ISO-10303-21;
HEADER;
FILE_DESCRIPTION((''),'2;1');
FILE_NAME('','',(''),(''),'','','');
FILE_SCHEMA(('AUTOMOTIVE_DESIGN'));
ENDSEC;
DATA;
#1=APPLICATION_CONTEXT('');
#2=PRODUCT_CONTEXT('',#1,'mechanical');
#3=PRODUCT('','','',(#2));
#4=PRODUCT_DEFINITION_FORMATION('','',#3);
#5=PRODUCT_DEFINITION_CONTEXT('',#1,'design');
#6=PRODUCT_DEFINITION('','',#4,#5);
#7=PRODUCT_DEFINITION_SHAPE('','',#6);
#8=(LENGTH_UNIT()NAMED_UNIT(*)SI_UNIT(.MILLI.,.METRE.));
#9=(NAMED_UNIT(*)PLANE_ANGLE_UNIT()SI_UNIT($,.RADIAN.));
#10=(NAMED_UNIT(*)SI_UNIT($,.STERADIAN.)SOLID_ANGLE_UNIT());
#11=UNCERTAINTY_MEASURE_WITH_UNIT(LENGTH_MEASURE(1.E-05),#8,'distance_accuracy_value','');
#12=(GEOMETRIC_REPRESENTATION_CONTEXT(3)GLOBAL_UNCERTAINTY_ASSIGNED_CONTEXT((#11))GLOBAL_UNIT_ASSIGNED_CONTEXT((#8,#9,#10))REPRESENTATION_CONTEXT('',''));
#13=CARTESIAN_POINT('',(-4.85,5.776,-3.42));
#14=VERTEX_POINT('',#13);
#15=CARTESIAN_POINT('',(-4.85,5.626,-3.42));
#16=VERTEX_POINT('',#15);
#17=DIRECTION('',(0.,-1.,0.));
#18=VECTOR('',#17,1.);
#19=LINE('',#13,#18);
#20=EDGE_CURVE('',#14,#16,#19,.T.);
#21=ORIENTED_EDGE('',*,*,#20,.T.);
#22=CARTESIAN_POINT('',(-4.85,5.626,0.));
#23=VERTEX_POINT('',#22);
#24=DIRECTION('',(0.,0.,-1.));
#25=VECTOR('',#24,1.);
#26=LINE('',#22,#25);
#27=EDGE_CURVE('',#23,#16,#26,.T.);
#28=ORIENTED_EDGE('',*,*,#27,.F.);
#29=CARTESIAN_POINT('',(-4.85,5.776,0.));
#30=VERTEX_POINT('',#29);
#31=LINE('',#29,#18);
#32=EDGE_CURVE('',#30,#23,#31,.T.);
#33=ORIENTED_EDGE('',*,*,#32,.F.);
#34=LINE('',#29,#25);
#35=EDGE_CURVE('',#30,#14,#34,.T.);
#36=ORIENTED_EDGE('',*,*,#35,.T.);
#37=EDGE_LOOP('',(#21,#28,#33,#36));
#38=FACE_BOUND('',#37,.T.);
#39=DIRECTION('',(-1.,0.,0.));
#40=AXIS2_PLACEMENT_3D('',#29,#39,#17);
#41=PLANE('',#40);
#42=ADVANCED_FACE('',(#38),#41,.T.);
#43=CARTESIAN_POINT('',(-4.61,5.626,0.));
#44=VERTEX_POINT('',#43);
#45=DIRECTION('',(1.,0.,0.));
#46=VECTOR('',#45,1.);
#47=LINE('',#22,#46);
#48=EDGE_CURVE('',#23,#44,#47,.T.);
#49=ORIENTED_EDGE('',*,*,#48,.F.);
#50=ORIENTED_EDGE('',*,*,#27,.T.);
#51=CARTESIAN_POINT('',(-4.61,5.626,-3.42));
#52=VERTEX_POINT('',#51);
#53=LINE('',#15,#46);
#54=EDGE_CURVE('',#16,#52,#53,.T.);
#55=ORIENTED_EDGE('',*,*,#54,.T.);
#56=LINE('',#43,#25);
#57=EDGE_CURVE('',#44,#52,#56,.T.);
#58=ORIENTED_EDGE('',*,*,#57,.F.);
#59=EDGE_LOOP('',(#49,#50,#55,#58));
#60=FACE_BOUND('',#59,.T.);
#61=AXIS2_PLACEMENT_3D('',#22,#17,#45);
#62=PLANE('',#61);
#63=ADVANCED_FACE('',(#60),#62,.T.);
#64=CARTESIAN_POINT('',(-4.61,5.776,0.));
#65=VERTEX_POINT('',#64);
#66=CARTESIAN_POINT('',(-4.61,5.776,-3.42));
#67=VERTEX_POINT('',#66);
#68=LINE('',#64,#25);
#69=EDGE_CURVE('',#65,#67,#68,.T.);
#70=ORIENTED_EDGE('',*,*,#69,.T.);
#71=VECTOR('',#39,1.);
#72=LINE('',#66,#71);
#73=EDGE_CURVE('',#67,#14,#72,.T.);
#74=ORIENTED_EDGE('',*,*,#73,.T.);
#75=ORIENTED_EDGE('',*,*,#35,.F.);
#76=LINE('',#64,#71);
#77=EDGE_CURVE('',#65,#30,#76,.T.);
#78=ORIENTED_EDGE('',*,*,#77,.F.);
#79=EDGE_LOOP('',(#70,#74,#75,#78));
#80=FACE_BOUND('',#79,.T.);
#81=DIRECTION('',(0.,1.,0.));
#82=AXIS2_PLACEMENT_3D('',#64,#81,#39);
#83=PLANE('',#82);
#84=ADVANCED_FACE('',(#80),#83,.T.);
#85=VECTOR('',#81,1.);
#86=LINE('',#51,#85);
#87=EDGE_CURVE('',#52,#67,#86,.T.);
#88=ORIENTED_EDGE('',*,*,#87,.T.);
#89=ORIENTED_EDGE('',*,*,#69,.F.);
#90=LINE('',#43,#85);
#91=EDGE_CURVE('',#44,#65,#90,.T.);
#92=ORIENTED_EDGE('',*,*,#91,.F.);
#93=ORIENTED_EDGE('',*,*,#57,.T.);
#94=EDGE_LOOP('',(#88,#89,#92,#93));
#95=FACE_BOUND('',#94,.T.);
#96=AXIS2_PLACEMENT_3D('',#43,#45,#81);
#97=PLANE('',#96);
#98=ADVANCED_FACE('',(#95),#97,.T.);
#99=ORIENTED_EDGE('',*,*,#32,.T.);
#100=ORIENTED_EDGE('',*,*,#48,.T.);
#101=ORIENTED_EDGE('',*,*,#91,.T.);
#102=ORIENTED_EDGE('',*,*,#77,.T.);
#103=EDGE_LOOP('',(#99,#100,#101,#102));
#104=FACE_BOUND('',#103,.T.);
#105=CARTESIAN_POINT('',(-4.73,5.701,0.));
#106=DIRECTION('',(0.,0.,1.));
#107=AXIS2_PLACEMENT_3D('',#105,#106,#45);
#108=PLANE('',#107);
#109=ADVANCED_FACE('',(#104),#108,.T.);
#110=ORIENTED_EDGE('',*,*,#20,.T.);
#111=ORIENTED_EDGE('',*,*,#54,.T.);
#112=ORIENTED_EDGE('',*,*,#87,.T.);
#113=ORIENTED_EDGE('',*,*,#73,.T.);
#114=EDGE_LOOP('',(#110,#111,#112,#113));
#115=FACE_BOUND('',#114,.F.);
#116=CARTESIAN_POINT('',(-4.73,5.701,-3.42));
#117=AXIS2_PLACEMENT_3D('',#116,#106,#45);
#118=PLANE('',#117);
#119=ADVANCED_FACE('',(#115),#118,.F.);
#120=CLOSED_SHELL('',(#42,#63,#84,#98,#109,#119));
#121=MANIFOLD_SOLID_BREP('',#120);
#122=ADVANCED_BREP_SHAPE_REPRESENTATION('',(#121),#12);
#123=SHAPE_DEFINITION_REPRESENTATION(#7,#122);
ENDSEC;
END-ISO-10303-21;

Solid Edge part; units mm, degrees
sketch "Sketch1" plane through (0, 0, 0) normal (0, 0, 1) x (1, 0, 0)
  line L0 (-4.85, 5.776) -> (-4.85, 5.626)
  line L1 (-4.85, 5.626) -> (-4.61, 5.626)
  line L2 (-4.61, 5.626) -> (-4.61, 5.776)
  line L3 (-4.61, 5.776) -> (-4.85, 5.776)
  dimension "D1" = 0.15
  dimension "D2" = 0.24
extrude "Protrusion1" add sketch "Sketch1" against normal blind 3.42
